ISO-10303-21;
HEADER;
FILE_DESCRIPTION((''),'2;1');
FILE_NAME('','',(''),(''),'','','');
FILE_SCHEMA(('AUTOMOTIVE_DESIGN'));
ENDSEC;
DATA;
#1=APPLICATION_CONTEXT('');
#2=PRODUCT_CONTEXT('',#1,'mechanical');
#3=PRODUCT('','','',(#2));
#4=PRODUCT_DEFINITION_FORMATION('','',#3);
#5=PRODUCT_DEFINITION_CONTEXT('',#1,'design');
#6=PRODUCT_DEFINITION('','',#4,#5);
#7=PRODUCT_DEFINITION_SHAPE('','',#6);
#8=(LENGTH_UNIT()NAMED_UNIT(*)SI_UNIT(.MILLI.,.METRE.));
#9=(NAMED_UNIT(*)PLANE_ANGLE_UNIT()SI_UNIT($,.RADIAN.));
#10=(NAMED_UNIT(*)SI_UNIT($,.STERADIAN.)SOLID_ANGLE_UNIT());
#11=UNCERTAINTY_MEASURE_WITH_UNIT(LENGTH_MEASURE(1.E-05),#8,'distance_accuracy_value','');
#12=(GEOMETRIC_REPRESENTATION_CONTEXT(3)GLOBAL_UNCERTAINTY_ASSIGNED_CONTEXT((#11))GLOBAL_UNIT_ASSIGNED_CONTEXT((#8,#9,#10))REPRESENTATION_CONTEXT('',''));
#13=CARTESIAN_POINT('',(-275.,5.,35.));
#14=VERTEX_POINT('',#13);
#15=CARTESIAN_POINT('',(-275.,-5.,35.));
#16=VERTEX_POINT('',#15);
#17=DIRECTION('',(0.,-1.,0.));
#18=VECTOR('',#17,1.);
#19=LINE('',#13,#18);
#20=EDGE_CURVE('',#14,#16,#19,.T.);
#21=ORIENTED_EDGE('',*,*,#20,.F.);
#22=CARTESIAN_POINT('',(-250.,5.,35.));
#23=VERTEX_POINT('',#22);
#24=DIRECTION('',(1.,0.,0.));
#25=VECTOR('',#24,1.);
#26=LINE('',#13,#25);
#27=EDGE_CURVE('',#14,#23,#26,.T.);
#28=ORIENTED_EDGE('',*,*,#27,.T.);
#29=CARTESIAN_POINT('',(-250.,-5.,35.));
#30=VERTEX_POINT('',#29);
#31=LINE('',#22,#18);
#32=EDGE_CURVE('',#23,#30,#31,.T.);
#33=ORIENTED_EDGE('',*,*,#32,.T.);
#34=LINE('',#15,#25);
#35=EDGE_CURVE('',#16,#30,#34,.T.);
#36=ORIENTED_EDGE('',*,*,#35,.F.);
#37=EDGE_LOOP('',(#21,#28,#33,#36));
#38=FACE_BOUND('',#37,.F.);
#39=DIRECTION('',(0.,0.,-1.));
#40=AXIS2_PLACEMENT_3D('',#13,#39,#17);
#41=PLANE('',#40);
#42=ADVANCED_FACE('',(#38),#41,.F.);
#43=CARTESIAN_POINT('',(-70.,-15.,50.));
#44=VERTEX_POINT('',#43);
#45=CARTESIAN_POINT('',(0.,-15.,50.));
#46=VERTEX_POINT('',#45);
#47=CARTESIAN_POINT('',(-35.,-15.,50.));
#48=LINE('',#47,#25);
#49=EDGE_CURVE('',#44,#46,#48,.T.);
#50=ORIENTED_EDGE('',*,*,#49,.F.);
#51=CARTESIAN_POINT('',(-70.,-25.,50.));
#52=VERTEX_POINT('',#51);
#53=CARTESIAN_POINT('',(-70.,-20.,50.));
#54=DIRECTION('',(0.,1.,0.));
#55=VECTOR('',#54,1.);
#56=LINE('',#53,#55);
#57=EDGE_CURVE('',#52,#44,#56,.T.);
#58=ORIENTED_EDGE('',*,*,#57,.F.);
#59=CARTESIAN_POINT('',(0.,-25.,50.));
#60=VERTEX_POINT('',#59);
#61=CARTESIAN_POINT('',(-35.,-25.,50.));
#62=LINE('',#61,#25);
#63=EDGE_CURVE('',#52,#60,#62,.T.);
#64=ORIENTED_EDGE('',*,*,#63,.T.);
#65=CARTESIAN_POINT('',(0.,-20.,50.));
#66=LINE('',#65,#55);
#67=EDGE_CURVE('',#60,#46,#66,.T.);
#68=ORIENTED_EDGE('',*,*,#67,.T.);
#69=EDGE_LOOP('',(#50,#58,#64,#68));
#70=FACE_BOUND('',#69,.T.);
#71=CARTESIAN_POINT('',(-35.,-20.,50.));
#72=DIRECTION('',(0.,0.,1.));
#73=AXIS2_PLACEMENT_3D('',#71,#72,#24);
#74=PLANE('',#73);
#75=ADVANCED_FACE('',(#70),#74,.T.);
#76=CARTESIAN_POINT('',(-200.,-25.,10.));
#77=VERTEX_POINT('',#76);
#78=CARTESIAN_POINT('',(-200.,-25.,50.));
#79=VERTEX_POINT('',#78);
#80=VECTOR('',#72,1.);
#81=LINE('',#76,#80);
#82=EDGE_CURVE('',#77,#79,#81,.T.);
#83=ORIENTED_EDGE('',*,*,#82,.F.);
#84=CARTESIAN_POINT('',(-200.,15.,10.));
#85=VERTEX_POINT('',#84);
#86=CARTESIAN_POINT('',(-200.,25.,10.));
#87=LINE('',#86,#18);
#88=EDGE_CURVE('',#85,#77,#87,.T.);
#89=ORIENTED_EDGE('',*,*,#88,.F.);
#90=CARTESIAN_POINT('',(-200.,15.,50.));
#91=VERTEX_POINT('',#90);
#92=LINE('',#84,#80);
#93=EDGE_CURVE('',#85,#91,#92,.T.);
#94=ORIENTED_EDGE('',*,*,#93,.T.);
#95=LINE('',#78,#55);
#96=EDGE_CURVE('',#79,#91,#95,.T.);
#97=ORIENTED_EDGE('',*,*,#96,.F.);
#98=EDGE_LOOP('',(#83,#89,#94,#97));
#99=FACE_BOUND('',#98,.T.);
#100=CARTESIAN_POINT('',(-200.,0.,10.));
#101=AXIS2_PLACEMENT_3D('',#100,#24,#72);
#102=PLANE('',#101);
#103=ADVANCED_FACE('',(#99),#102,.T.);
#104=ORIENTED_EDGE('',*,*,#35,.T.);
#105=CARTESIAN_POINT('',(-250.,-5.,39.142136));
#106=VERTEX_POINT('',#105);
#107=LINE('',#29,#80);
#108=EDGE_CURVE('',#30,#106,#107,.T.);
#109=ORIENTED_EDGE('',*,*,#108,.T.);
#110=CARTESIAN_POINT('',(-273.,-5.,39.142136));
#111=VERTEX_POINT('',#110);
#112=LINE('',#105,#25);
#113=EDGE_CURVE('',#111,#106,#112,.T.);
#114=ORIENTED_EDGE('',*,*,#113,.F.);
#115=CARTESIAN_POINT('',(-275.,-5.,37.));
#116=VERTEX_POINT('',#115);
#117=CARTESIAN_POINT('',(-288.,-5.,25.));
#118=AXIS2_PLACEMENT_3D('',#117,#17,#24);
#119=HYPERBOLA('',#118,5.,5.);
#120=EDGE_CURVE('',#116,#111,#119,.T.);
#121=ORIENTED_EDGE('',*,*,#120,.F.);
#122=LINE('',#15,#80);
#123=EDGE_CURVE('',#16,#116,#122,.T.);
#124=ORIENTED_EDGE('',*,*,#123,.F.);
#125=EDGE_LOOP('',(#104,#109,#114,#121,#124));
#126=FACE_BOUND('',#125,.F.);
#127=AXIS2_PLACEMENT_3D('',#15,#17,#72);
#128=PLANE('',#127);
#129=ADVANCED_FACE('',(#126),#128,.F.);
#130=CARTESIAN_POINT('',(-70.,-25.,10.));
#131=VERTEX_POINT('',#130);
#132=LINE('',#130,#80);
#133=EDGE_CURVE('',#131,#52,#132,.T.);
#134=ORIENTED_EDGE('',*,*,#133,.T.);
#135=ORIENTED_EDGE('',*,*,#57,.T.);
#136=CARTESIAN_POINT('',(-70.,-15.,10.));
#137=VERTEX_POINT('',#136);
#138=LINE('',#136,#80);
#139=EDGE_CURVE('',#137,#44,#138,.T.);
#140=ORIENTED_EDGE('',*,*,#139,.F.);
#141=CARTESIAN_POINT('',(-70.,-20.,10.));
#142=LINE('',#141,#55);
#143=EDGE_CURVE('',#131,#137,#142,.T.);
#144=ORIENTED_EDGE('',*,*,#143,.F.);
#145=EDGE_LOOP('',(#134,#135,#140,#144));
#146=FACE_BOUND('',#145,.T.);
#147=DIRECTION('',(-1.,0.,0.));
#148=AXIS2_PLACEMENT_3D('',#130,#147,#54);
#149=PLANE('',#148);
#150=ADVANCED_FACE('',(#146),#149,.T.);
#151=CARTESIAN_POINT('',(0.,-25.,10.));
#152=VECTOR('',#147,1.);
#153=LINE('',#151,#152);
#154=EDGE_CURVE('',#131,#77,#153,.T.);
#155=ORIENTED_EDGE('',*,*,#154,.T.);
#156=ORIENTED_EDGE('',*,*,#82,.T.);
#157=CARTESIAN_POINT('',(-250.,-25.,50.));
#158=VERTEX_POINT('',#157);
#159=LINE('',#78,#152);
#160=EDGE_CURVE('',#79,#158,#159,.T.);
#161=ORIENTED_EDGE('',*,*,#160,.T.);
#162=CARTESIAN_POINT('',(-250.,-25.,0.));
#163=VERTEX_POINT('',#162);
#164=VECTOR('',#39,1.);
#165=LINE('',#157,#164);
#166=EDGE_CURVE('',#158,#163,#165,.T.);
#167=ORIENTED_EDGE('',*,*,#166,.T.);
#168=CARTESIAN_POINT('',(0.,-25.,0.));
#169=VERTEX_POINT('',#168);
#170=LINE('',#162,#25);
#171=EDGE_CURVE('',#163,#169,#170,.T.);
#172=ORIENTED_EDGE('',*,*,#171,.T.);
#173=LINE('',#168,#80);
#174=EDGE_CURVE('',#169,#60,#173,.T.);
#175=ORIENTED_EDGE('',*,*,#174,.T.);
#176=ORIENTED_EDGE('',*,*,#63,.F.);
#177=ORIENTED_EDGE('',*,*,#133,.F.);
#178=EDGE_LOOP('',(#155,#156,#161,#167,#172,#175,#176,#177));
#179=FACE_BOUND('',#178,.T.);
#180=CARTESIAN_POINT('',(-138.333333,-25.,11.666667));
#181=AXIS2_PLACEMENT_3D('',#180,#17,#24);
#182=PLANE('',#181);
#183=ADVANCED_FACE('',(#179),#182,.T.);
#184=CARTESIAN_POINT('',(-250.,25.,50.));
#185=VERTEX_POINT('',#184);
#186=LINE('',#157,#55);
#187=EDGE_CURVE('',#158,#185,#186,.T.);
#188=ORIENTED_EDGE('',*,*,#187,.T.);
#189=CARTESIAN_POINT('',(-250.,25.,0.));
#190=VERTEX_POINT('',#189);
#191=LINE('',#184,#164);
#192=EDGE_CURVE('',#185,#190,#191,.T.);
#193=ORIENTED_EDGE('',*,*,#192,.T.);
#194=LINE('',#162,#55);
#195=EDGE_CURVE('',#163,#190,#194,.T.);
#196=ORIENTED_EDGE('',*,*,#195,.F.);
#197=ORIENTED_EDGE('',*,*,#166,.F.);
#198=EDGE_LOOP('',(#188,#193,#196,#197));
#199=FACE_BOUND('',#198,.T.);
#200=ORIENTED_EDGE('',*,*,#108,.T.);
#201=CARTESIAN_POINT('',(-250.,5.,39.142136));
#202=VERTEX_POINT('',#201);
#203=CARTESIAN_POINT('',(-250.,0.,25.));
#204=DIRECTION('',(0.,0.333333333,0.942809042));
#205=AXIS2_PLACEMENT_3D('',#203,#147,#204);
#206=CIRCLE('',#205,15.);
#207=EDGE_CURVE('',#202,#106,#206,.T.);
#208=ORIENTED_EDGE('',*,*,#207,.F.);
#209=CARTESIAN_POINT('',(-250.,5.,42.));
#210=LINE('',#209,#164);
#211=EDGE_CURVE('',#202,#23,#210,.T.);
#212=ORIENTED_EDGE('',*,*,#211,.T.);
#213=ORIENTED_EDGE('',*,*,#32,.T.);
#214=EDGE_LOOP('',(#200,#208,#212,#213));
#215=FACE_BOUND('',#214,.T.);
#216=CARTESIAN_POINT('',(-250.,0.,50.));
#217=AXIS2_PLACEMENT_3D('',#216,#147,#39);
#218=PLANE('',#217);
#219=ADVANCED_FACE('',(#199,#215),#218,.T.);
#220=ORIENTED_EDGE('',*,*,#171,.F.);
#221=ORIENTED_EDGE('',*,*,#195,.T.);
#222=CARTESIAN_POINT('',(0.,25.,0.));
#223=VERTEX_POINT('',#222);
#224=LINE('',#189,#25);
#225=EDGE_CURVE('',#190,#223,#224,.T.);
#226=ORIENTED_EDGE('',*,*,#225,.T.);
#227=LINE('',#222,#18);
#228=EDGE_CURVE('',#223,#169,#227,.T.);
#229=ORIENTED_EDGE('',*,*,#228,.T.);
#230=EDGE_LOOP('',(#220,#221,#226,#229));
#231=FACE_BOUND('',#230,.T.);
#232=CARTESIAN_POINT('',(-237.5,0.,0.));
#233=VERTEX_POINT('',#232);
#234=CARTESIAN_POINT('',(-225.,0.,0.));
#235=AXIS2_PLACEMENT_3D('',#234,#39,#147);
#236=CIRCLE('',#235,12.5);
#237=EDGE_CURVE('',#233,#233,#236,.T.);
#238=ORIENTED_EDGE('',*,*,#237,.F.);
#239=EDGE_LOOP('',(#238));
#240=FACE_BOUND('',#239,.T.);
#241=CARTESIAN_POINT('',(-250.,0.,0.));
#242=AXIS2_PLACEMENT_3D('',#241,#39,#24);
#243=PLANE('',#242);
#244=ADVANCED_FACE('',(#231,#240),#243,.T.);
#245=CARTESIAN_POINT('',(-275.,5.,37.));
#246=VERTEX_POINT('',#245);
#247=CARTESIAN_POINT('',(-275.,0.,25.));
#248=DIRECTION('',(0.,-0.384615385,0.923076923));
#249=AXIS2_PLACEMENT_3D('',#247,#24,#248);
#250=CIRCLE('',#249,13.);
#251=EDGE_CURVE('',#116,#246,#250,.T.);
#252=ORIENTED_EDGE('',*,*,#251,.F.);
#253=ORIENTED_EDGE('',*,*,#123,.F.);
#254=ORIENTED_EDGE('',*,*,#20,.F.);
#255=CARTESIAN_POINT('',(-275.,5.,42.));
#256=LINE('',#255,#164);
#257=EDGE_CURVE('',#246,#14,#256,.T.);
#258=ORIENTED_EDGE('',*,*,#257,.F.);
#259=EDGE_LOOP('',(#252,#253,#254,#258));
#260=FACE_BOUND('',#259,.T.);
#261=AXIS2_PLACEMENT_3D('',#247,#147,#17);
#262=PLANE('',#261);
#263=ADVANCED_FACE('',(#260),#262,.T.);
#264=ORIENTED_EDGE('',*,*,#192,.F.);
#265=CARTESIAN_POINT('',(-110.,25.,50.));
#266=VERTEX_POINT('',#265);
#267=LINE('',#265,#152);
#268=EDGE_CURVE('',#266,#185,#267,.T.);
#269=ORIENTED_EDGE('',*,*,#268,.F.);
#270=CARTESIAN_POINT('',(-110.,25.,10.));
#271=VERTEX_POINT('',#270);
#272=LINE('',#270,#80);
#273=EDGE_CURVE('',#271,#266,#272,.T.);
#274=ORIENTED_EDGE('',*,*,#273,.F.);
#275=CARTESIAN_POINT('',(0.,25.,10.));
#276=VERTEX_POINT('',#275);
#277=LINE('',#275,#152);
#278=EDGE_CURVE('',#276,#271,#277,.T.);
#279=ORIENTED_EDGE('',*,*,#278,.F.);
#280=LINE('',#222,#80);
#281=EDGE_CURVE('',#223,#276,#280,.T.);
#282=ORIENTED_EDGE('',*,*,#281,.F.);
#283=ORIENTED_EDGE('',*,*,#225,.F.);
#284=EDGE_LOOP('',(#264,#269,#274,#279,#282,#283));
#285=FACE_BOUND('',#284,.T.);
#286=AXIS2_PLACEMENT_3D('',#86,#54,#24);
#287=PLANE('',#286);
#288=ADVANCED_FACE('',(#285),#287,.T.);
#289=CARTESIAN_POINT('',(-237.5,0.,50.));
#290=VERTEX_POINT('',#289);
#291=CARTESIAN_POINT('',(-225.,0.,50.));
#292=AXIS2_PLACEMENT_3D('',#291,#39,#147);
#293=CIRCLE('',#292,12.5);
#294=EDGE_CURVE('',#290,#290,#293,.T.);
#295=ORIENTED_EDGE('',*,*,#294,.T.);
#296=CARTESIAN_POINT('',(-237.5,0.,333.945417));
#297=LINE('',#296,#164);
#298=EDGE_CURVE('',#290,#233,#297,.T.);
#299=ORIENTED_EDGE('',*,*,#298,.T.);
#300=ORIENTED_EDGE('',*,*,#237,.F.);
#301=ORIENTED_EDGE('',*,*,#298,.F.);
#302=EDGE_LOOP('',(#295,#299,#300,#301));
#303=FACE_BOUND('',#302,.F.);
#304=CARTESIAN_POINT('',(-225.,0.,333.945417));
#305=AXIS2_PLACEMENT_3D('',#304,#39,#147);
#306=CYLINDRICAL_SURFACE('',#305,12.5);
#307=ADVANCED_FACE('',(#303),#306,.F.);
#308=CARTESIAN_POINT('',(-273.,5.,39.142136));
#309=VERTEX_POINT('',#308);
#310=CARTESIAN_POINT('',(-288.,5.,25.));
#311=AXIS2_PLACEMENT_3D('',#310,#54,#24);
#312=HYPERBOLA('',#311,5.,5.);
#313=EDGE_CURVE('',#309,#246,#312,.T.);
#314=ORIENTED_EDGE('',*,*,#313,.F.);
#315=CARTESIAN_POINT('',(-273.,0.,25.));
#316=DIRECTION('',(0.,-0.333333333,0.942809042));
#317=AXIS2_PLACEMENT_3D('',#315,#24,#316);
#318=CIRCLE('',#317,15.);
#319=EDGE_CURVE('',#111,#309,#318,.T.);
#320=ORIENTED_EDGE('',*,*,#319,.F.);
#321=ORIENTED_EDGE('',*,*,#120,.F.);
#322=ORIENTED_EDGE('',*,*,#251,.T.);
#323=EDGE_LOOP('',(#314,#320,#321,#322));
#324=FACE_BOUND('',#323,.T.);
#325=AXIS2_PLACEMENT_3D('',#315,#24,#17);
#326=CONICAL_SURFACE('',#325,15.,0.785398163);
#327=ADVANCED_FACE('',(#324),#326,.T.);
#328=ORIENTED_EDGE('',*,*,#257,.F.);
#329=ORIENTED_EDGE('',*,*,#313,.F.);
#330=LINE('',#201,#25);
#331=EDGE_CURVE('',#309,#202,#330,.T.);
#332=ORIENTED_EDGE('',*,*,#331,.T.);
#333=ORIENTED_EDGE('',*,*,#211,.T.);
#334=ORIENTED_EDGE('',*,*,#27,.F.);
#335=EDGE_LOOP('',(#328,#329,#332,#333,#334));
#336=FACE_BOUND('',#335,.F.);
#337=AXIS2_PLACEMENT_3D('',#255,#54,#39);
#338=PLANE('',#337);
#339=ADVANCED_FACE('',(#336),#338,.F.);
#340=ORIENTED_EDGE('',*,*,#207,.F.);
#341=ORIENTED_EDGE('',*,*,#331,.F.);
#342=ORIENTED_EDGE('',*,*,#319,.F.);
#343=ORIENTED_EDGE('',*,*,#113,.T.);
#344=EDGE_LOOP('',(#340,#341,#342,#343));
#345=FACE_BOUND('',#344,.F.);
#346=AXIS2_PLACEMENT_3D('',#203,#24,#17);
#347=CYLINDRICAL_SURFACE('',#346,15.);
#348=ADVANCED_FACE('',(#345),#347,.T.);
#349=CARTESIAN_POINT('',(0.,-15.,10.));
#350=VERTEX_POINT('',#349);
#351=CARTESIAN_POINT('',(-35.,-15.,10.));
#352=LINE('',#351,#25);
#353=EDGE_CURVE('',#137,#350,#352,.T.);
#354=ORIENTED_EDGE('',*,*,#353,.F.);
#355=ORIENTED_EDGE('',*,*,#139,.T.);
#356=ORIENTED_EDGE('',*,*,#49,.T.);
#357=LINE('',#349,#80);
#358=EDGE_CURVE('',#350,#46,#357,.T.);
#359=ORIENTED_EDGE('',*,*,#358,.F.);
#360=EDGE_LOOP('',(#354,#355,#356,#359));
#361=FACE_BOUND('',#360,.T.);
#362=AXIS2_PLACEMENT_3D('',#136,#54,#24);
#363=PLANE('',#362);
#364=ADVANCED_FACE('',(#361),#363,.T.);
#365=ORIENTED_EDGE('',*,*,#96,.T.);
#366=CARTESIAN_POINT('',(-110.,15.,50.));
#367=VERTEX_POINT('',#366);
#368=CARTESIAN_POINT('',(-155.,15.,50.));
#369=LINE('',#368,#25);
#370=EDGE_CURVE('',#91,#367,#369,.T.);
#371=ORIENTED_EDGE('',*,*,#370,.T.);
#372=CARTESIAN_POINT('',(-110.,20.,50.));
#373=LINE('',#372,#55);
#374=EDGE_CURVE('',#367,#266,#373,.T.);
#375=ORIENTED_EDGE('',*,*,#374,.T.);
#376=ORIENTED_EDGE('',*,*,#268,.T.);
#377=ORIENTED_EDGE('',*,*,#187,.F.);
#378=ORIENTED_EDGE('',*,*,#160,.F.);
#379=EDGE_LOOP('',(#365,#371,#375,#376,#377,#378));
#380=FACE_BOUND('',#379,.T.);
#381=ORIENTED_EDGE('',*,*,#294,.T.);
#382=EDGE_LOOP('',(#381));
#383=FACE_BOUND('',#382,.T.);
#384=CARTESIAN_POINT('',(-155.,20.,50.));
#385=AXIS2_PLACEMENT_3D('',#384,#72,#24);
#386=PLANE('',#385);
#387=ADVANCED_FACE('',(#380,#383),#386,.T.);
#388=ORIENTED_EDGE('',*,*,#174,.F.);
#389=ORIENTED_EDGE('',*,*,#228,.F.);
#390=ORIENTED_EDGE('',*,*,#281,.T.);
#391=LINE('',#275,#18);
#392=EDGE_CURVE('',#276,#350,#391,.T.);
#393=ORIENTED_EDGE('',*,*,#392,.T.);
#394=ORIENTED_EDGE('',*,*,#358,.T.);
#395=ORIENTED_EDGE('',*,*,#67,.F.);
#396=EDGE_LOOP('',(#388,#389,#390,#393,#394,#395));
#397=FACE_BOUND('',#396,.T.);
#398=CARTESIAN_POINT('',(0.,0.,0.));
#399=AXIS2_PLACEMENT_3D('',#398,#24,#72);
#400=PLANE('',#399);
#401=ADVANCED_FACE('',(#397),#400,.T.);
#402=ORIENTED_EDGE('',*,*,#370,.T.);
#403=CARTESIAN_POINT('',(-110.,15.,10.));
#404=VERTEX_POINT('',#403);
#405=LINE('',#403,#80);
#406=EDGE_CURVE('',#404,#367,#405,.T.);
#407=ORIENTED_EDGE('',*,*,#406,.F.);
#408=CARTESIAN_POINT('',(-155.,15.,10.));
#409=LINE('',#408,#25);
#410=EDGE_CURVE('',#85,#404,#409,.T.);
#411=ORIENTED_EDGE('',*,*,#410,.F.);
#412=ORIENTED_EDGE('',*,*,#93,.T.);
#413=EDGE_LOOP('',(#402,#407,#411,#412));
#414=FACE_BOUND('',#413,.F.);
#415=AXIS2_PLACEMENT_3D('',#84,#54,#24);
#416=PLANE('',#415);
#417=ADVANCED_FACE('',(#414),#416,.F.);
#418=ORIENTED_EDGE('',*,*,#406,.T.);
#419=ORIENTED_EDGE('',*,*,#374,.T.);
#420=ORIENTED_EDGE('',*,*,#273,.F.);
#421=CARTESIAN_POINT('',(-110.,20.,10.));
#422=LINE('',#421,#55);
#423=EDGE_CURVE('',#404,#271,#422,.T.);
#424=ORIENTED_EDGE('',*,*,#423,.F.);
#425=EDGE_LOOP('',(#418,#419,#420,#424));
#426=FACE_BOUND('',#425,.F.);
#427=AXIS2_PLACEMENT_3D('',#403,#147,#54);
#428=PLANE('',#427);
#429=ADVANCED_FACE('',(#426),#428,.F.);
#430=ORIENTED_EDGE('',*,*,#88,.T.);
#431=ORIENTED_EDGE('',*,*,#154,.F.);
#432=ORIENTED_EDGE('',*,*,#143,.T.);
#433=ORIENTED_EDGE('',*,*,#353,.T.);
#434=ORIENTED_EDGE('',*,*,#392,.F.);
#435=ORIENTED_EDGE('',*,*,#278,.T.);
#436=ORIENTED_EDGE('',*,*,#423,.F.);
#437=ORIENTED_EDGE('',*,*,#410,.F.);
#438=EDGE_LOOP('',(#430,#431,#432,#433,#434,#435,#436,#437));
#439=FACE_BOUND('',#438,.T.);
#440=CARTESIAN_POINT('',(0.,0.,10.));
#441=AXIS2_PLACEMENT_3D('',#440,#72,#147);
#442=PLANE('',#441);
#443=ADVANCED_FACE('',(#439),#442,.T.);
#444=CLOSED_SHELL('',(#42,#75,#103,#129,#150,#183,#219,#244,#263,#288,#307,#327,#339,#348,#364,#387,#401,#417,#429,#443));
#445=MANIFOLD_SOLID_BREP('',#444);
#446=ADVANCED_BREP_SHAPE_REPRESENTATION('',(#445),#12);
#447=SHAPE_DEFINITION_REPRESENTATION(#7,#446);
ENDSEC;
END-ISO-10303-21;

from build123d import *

# Parameters (mm, degrees)
F1_DEPTH  = 25
F2_W      = 90
F2_H      = 10
F2_W_2    = 70
F3_DEPTH  = 40
F4_R      = 15
F5_DEPTH  = 25
F6_SIZE   = 2
F8_D      = 25
F10_DEPTH = 25


with BuildPart() as f1:
    # F0 (on Front) → F1 (new body, symmetric)
    with BuildSketch(Plane.XZ):
        Polygon((-250, 0), (0, 0), (0, 10), (-200, 10), (-200, 50), (-250, 50), align=None)
    extrude(amount=F1_DEPTH, both=True)

    # F2 (on face) → F3 (join)
    with BuildSketch(Plane.XY.offset(10)):
        with Locations((-155, 20)):
            Rectangle(F2_W, F2_H)
        with Locations((-35, -20)):
            Rectangle(F2_W_2, F2_H)
    extrude(amount=F3_DEPTH)

    # F4 (on face) → F5 (join)
    with BuildSketch(Plane(origin=(-250, 0, 0), x_dir=(0, -1, 0), z_dir=(-1, 0, 0))):
        with Locations((0, 25)):
            Circle(F4_R)
    extrude(amount=F5_DEPTH)

    # F6
    f6_edges = [f1.edges().sort_by_distance(p)[0] for p in [
        (-275, 15, 25),
    ]]
    chamfer(f6_edges, length=F6_SIZE)

    # F8 (through all)
    with Locations(Plane.XY.offset(50)):
        with Locations((-225, 0)):
            Hole(F8_D / 2)

    # F9 (on face) → F10 (cut, through all)
    with BuildSketch(Plane(origin=(-275, 0, 0), x_dir=(0, -1, 0), z_dir=(-1, 0, 0))):
        with BuildLine():
            Line((5, 42), (-5, 42))
            Line((-5, 42), (-5, 37))
            ThreePointArc((-5, 37), (0, 38), (5, 37))
            Line((5, 37), (5, 42))
        make_face()
        with BuildLine():
            ThreePointArc((5, 37), (0, 38), (-5, 37))
            Line((-5, 37), (-5, 35))
            Line((-5, 35), (5, 35))
            Line((5, 35), (5, 37))
        make_face()
    extrude(amount=-F10_DEPTH, mode=Mode.SUBTRACT)


solid = f1.part
